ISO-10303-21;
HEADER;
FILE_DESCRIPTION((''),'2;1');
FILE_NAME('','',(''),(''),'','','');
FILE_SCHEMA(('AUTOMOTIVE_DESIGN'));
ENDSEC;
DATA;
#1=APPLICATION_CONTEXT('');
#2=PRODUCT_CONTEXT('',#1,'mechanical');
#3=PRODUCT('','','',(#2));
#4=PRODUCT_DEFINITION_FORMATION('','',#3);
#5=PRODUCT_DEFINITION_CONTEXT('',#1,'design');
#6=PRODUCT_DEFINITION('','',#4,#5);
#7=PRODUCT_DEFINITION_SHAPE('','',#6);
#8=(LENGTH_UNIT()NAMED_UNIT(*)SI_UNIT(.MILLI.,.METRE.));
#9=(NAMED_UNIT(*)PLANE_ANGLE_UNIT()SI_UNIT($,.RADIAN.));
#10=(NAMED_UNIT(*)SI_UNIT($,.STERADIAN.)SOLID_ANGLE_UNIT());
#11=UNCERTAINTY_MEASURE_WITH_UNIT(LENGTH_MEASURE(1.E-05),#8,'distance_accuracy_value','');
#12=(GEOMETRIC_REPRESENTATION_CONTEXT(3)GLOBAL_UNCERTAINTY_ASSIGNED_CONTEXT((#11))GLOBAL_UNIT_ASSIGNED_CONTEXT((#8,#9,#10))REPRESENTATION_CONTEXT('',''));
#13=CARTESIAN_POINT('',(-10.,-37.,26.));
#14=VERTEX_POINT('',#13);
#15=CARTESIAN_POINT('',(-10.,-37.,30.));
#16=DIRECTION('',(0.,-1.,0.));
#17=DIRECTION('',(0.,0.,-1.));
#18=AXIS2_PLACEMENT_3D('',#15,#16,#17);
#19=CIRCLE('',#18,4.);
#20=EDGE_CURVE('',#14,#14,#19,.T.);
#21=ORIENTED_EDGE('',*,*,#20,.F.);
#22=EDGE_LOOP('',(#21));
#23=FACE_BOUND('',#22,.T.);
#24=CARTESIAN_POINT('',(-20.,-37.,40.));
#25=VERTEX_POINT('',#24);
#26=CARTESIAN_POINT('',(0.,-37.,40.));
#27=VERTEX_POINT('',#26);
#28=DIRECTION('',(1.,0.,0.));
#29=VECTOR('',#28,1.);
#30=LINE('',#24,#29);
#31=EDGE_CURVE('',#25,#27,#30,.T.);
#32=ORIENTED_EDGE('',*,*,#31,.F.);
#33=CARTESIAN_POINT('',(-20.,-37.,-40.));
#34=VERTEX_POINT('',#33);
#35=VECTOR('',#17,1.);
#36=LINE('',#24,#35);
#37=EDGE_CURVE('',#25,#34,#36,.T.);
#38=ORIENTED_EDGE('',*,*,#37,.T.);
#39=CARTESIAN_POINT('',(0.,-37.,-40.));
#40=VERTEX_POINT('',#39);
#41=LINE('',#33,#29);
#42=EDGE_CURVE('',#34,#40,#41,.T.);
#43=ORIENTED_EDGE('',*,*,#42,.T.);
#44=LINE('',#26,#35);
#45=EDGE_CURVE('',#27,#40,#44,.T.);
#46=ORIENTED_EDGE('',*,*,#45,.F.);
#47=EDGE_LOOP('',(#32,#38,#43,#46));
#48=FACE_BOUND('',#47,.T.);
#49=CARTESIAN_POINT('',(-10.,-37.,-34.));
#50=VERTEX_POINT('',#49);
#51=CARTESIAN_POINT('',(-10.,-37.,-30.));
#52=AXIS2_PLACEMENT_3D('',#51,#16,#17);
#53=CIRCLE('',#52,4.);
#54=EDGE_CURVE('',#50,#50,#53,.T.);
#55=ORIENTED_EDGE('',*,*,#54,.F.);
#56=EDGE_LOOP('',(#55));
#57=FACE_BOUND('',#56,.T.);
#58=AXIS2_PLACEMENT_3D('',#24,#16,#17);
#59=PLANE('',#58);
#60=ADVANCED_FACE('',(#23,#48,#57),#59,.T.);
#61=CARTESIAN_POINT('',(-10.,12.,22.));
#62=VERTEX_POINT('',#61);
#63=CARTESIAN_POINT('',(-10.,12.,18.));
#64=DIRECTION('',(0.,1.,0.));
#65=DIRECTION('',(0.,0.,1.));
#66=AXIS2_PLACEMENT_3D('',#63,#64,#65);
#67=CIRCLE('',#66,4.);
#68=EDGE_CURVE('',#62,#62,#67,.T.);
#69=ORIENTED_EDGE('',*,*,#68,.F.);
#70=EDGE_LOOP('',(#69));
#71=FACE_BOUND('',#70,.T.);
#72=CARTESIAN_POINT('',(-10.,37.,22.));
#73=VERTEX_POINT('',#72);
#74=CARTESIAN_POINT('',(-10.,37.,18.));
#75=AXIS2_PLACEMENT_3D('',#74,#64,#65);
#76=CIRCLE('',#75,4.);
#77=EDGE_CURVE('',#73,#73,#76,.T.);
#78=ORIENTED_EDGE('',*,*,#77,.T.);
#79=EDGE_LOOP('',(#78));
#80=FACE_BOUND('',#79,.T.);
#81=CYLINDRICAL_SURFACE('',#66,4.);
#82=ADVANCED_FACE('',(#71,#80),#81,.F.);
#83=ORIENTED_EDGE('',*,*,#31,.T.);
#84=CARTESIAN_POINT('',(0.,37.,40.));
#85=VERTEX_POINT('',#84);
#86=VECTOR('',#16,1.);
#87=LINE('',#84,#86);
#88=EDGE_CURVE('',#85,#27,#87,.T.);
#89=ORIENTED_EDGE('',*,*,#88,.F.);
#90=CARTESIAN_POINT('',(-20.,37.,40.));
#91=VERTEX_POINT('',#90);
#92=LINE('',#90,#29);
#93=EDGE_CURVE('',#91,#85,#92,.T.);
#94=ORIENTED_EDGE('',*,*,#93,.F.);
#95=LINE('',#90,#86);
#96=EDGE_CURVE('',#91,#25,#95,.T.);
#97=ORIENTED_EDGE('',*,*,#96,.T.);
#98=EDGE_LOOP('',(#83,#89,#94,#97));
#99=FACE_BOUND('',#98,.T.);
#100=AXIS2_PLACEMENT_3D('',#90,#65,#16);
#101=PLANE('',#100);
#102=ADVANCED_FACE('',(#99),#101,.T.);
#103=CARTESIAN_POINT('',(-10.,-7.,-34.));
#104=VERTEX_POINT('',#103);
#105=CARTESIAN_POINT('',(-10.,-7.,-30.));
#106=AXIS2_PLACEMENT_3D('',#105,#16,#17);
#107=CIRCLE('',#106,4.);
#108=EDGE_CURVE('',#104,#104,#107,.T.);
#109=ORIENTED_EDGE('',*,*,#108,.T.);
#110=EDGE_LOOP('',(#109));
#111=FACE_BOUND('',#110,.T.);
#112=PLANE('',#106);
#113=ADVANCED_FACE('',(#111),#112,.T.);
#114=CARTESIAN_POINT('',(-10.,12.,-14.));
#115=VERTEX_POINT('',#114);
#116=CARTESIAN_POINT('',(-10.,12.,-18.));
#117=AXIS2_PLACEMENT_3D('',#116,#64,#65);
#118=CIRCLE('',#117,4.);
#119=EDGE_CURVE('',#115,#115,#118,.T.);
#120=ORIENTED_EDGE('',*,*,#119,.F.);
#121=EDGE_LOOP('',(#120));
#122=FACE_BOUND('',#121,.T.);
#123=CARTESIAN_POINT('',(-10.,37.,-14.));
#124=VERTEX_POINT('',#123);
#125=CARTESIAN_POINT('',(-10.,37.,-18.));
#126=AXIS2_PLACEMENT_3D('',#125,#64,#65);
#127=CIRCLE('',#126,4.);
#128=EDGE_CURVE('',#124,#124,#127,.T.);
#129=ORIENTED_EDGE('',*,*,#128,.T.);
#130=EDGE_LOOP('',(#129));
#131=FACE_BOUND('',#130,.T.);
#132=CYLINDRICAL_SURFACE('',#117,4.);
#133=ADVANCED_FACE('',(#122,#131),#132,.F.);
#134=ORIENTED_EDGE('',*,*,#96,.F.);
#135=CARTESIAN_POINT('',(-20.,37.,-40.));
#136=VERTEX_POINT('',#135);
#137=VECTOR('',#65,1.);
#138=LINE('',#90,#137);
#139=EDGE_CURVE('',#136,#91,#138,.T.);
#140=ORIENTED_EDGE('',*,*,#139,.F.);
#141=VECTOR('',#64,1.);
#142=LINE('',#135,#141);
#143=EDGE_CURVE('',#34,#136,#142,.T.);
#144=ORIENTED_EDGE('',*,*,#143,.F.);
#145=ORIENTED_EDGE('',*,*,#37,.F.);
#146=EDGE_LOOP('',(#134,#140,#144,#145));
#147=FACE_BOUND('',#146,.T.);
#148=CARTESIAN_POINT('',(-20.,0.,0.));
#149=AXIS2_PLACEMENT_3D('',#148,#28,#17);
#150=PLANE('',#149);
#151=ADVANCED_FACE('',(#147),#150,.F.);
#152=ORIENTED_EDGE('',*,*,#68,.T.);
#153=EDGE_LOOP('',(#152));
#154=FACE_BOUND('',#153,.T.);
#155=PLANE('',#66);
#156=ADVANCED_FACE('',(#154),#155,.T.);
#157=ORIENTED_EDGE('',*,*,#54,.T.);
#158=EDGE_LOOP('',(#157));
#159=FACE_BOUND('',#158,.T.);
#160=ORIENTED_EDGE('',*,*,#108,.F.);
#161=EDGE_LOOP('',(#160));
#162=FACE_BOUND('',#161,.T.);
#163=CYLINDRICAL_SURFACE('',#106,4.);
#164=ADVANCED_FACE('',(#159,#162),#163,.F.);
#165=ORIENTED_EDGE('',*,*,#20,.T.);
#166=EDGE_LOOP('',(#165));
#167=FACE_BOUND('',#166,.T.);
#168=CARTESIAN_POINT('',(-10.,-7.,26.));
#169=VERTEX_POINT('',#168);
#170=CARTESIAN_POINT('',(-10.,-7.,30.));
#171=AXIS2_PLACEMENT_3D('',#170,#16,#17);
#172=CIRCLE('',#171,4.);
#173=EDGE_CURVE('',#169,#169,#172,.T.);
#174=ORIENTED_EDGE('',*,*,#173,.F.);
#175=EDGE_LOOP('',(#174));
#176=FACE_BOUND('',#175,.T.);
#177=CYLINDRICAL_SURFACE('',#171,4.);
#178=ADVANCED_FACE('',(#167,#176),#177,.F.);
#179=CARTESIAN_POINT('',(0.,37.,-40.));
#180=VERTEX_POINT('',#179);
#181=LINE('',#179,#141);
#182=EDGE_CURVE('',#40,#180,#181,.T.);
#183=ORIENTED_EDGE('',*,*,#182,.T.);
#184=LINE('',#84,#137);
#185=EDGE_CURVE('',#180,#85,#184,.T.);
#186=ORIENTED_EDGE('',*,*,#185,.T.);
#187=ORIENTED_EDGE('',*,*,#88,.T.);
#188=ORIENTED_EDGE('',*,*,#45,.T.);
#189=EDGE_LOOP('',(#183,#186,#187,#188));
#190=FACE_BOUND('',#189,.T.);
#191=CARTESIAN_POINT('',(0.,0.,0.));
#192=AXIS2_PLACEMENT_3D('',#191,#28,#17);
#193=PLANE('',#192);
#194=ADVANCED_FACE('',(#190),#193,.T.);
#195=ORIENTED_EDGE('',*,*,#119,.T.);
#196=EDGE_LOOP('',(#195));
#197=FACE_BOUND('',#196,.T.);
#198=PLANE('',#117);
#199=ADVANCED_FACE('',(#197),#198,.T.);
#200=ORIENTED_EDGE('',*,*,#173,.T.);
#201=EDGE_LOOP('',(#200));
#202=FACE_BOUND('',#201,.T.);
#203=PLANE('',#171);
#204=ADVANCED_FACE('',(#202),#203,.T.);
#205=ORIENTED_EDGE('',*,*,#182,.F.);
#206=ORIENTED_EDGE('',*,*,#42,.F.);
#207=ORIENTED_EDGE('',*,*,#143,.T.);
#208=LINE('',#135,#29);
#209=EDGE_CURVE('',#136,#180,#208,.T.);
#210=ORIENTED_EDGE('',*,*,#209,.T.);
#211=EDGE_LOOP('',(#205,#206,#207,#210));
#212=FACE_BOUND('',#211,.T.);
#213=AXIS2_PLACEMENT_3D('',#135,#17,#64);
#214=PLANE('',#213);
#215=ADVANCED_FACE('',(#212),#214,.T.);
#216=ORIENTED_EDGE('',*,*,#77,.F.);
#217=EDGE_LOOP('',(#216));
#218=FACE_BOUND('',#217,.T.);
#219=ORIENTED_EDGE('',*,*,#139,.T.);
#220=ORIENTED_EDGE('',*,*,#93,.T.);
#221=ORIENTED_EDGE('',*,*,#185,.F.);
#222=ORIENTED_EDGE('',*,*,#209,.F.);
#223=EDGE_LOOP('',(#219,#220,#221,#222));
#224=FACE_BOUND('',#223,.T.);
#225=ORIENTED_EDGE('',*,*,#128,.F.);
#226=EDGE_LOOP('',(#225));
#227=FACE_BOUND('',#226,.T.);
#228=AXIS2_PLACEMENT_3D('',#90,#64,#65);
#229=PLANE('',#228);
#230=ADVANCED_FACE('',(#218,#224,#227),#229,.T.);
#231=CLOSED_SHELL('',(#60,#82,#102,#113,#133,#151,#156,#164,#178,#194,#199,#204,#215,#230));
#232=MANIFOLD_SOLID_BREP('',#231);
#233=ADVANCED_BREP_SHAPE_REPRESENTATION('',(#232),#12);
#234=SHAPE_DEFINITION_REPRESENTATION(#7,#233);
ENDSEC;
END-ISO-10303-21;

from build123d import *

# Parameters (mm, degrees)
CROQUIS1_W              = 80
CROQUIS1_H              = 74
SALIENTE_EXTRUIR1_DEPTH = 20
CROQUIS3_R              = 4
CORTAR_EXTRUIR2_DEPTH   = 25
CROQUIS4_R              = 4
CORTAR_EXTRUIR3_DEPTH   = 30


with BuildPart() as part:
    # Croquis1 → Saliente-Extruir1 (new body)
    with BuildSketch(Plane(origin=(0, 0, 0), x_dir=(0, 0, -1), z_dir=(1, 0, 0))):
        Rectangle(CROQUIS1_W, CROQUIS1_H)
    extrude(amount=-SALIENTE_EXTRUIR1_DEPTH)

    # Croquis3 → Cortar-Extruir2 (cut)
    with BuildSketch(Plane(origin=(0, 37, 0), x_dir=(1, 0, 0), z_dir=(0, 1, 0))):
        with Locations(Location((-10, -18, 0), (0, 0, 270))):
            Circle(CROQUIS3_R)
        with Locations(Location((-10, 18, 0), (0, 0, 270))):
            Circle(CROQUIS3_R)
    extrude(amount=-CORTAR_EXTRUIR2_DEPTH, mode=Mode.SUBTRACT)

    # Croquis4 → Cortar-Extruir3 (cut)
    with BuildSketch(Plane.XZ.offset(37)):
        with Locations(Location((-10, 30, 0), (0, 0, 270))):
            Circle(CROQUIS4_R)
        with Locations(Location((-10, -30, 0), (0, 0, 270))):
            Circle(CROQUIS4_R)
    extrude(amount=-CORTAR_EXTRUIR3_DEPTH, mode=Mode.SUBTRACT)


solid = part.part
